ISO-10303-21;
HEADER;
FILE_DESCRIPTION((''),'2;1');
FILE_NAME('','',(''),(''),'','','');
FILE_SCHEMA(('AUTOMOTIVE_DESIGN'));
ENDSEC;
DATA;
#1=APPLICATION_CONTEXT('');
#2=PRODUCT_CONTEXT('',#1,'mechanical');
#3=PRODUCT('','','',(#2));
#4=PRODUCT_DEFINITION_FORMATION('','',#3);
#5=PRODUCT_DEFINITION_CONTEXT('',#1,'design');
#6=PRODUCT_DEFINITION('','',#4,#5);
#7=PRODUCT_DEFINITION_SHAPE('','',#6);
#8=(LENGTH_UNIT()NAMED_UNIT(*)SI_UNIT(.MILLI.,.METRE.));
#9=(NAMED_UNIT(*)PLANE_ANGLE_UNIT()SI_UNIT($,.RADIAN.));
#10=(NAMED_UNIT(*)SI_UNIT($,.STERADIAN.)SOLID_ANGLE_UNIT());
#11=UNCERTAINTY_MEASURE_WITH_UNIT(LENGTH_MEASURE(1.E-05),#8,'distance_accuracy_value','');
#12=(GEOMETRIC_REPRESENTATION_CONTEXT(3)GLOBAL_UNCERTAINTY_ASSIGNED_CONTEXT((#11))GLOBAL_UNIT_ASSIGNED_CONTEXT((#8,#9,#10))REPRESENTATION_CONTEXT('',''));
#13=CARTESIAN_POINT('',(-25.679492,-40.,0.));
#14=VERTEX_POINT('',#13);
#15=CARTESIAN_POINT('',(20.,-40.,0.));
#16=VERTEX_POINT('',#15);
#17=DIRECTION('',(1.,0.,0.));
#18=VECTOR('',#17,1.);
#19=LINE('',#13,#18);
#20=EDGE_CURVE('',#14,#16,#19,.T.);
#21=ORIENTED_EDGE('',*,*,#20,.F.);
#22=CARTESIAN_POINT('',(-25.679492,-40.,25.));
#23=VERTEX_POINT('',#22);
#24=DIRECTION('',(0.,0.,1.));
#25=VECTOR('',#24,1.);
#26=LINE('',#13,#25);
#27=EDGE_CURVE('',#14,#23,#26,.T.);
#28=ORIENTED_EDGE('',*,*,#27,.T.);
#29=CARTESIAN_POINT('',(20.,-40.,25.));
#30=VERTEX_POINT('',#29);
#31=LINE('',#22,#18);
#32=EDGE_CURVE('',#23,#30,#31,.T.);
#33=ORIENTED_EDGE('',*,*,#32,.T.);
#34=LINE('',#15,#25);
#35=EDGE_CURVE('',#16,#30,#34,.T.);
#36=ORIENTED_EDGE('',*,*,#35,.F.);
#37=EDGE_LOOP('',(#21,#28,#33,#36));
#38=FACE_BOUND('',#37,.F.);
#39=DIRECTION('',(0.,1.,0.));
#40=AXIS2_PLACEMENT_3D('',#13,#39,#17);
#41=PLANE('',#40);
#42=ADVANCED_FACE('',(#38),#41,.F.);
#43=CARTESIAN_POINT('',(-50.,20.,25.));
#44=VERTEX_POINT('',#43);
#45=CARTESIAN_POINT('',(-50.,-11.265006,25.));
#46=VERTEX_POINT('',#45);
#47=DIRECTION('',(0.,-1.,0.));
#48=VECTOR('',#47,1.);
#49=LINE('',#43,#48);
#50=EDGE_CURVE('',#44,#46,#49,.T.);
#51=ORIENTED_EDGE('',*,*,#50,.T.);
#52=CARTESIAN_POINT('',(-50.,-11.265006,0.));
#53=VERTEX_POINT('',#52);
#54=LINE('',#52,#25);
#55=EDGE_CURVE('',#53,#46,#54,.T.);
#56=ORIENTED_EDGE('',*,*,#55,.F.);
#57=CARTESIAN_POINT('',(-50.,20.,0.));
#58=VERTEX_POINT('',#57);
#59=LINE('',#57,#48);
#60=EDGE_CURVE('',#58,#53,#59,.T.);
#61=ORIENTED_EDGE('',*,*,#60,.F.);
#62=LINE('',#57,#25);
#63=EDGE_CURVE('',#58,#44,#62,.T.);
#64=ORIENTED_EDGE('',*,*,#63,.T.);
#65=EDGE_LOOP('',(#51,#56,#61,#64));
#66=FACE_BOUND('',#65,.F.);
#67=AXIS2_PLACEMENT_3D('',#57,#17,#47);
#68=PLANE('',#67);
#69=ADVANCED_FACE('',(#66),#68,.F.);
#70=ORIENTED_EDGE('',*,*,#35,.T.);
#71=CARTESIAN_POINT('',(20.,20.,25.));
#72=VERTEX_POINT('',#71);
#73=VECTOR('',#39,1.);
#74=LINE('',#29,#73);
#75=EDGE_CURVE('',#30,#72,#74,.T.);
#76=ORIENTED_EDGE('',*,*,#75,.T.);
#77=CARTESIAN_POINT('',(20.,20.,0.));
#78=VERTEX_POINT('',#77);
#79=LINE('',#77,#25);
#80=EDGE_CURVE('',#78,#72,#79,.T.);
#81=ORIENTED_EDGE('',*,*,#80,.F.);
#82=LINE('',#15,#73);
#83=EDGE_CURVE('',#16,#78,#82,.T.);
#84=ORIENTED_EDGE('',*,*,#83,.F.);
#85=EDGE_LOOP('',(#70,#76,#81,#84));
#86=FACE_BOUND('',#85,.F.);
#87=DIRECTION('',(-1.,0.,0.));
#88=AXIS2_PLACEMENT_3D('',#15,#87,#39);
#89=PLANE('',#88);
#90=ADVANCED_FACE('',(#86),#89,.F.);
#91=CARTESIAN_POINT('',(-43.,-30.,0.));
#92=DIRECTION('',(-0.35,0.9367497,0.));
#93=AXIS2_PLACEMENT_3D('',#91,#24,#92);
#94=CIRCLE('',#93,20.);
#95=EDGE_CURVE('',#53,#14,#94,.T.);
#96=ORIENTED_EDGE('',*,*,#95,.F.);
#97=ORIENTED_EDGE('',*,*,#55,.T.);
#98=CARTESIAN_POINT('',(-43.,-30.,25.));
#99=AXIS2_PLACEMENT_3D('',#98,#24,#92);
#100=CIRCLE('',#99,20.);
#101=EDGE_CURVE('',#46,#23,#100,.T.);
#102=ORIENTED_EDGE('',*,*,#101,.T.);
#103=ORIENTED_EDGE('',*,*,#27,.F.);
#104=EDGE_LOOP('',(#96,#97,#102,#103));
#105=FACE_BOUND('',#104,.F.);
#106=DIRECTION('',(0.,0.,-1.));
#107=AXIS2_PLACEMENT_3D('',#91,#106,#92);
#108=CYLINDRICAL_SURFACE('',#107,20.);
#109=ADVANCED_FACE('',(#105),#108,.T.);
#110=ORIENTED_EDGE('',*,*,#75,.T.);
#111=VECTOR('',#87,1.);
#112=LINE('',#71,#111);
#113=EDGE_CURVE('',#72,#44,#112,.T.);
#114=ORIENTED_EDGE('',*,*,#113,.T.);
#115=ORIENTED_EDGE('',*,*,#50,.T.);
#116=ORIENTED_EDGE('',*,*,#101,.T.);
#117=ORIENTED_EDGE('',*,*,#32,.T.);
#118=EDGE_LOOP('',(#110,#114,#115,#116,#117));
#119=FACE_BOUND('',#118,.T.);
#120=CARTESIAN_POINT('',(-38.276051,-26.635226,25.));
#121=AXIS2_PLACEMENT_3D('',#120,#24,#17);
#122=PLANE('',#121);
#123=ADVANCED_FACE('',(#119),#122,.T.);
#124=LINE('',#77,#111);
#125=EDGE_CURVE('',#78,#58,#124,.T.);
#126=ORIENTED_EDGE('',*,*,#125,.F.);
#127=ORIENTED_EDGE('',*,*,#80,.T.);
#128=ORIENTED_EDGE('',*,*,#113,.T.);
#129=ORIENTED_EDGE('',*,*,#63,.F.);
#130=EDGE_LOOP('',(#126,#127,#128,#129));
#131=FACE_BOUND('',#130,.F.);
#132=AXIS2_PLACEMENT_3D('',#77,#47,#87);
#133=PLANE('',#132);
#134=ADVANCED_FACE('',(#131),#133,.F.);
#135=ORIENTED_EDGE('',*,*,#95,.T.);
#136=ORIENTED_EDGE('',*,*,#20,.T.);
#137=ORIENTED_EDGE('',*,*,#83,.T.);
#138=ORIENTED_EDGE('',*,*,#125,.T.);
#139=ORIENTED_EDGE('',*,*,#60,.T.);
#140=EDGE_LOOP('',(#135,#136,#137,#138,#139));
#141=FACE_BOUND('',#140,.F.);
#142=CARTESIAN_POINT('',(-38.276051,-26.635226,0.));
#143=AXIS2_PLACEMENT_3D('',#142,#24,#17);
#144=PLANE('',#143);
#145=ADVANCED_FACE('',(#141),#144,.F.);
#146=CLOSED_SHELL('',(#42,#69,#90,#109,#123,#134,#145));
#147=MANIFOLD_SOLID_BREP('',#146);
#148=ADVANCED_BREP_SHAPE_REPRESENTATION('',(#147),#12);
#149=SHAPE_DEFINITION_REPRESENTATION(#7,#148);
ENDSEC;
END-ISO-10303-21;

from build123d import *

# Parameters (mm, degrees)
F1_DEPTH = 25


with BuildPart() as f1:
    # F0 (on Top) → F1 (new body)
    with BuildSketch(Plane.XY):
        with BuildLine():
            Line((-50, -11.2650060048), (-50, -40))
            Line((-50, -40), (-25.6794919243, -40))
            ThreePointArc((-25.6794919243, -40), (-23.6814834742, -35.1763809021), (-23, -30))
            ThreePointArc((-23, -30), (-31.598245749, -13.5683232748), (-50, -11.2650060048))
        make_face()
        with BuildLine():
            Line((-25.6794919243, -40), (-50, -40))
            Line((-50, -40), (-50, -11.2650060048))
            ThreePointArc((-50, -11.2650060048), (-58.2660797755, -42.9207897703), (-25.6794919243, -40))
        make_face()
        with BuildLine():
            ThreePointArc((-23, -30), (-23.6814834742, -35.1763809021), (-25.6794919243, -40))
            Line((-25.6794919243, -40), (20, -40))
            Line((20, -40), (20, 20))
            Line((20, 20), (-50, 20))
            Line((-50, 20), (-50, -11.2650060048))
            ThreePointArc((-50, -11.2650060048), (-31.598245749, -13.5683232748), (-23, -30))
        make_face()
    extrude(amount=F1_DEPTH)


solid = f1.part
